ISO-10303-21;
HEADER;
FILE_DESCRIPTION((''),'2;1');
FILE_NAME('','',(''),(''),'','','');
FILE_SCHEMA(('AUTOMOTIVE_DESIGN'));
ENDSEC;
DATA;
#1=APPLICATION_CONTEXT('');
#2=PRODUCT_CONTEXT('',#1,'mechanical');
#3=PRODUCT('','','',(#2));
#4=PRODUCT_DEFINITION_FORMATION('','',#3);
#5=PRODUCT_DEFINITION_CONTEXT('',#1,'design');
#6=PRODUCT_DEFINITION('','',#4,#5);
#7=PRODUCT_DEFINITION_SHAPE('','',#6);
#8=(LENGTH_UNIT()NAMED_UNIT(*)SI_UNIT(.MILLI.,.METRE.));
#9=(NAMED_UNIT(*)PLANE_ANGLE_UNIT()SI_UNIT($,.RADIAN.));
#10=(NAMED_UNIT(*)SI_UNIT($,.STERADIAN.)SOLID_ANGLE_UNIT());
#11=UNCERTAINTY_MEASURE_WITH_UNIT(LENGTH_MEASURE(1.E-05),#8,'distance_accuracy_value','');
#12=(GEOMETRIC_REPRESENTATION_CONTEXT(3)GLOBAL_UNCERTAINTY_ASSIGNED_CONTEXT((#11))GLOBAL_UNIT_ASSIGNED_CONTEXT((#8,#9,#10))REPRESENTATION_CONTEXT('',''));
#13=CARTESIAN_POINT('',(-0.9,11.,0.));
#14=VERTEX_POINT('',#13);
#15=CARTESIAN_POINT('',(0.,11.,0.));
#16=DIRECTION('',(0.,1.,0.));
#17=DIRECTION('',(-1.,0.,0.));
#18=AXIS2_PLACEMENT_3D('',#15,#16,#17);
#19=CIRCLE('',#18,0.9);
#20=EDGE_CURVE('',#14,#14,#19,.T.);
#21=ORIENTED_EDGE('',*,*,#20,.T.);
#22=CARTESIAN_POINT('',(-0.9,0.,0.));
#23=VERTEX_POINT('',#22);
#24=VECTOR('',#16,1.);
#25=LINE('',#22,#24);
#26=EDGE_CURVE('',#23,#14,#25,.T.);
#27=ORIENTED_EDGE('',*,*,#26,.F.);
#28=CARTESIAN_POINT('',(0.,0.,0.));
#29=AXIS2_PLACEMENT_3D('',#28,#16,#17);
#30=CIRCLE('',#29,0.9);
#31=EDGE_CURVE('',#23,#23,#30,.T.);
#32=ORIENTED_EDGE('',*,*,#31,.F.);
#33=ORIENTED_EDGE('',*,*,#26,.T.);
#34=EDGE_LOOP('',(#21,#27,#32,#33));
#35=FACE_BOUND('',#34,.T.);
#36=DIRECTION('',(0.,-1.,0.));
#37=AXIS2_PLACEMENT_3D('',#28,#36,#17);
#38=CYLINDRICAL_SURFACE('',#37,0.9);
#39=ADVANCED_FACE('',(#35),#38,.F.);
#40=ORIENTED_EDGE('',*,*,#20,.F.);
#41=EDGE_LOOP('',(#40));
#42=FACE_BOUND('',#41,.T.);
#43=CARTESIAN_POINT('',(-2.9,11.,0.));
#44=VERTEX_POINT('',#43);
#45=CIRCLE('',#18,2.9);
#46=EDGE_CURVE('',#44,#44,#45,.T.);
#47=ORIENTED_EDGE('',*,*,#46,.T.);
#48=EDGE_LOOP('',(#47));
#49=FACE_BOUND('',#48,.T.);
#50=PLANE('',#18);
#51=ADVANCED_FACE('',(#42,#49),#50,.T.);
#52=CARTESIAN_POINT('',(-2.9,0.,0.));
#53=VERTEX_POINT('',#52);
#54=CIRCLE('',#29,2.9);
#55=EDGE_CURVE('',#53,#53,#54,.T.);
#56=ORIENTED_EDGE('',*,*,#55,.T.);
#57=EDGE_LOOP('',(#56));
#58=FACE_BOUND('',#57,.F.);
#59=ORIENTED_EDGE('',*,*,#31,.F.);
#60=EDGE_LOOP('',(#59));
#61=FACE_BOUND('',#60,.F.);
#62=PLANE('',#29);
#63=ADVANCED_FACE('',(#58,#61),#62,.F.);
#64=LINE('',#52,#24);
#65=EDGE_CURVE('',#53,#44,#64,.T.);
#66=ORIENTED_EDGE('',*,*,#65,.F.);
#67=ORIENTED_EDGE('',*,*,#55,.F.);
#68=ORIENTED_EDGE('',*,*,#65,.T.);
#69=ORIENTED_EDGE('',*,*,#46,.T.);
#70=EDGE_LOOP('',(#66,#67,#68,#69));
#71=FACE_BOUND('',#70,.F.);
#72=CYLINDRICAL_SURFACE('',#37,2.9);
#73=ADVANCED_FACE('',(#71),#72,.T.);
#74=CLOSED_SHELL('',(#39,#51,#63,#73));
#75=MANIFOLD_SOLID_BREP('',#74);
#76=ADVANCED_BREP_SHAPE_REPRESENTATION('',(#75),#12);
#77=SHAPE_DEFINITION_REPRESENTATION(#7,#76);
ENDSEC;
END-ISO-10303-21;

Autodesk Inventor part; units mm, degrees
ref_plane "YZ Plane" through (0, 0, 0) normal (1, 0, 0) x (0, 1, 0)
ref_plane "XZ Plane" through (0, 0, 0) normal (0, 1, 0) x (-1, 0, 0)
ref_plane "XY Plane" through (0, 0, 0) normal (0, 0, 1) x (1, 0, 0)
sketch "스케치1" plane through (0, 0, 0) normal (0, 1, 0) x (-1, 0, 0)
  circle A0 centre (0, 0) radius 2.9
  circle A1 centre (0, 0) radius 0.9
  dimension "d0" = 5.8
  dimension "d1" = 1.8
extrude "돌출1" add sketch "스케치1" along normal blind 11
properties part number "pillar"
